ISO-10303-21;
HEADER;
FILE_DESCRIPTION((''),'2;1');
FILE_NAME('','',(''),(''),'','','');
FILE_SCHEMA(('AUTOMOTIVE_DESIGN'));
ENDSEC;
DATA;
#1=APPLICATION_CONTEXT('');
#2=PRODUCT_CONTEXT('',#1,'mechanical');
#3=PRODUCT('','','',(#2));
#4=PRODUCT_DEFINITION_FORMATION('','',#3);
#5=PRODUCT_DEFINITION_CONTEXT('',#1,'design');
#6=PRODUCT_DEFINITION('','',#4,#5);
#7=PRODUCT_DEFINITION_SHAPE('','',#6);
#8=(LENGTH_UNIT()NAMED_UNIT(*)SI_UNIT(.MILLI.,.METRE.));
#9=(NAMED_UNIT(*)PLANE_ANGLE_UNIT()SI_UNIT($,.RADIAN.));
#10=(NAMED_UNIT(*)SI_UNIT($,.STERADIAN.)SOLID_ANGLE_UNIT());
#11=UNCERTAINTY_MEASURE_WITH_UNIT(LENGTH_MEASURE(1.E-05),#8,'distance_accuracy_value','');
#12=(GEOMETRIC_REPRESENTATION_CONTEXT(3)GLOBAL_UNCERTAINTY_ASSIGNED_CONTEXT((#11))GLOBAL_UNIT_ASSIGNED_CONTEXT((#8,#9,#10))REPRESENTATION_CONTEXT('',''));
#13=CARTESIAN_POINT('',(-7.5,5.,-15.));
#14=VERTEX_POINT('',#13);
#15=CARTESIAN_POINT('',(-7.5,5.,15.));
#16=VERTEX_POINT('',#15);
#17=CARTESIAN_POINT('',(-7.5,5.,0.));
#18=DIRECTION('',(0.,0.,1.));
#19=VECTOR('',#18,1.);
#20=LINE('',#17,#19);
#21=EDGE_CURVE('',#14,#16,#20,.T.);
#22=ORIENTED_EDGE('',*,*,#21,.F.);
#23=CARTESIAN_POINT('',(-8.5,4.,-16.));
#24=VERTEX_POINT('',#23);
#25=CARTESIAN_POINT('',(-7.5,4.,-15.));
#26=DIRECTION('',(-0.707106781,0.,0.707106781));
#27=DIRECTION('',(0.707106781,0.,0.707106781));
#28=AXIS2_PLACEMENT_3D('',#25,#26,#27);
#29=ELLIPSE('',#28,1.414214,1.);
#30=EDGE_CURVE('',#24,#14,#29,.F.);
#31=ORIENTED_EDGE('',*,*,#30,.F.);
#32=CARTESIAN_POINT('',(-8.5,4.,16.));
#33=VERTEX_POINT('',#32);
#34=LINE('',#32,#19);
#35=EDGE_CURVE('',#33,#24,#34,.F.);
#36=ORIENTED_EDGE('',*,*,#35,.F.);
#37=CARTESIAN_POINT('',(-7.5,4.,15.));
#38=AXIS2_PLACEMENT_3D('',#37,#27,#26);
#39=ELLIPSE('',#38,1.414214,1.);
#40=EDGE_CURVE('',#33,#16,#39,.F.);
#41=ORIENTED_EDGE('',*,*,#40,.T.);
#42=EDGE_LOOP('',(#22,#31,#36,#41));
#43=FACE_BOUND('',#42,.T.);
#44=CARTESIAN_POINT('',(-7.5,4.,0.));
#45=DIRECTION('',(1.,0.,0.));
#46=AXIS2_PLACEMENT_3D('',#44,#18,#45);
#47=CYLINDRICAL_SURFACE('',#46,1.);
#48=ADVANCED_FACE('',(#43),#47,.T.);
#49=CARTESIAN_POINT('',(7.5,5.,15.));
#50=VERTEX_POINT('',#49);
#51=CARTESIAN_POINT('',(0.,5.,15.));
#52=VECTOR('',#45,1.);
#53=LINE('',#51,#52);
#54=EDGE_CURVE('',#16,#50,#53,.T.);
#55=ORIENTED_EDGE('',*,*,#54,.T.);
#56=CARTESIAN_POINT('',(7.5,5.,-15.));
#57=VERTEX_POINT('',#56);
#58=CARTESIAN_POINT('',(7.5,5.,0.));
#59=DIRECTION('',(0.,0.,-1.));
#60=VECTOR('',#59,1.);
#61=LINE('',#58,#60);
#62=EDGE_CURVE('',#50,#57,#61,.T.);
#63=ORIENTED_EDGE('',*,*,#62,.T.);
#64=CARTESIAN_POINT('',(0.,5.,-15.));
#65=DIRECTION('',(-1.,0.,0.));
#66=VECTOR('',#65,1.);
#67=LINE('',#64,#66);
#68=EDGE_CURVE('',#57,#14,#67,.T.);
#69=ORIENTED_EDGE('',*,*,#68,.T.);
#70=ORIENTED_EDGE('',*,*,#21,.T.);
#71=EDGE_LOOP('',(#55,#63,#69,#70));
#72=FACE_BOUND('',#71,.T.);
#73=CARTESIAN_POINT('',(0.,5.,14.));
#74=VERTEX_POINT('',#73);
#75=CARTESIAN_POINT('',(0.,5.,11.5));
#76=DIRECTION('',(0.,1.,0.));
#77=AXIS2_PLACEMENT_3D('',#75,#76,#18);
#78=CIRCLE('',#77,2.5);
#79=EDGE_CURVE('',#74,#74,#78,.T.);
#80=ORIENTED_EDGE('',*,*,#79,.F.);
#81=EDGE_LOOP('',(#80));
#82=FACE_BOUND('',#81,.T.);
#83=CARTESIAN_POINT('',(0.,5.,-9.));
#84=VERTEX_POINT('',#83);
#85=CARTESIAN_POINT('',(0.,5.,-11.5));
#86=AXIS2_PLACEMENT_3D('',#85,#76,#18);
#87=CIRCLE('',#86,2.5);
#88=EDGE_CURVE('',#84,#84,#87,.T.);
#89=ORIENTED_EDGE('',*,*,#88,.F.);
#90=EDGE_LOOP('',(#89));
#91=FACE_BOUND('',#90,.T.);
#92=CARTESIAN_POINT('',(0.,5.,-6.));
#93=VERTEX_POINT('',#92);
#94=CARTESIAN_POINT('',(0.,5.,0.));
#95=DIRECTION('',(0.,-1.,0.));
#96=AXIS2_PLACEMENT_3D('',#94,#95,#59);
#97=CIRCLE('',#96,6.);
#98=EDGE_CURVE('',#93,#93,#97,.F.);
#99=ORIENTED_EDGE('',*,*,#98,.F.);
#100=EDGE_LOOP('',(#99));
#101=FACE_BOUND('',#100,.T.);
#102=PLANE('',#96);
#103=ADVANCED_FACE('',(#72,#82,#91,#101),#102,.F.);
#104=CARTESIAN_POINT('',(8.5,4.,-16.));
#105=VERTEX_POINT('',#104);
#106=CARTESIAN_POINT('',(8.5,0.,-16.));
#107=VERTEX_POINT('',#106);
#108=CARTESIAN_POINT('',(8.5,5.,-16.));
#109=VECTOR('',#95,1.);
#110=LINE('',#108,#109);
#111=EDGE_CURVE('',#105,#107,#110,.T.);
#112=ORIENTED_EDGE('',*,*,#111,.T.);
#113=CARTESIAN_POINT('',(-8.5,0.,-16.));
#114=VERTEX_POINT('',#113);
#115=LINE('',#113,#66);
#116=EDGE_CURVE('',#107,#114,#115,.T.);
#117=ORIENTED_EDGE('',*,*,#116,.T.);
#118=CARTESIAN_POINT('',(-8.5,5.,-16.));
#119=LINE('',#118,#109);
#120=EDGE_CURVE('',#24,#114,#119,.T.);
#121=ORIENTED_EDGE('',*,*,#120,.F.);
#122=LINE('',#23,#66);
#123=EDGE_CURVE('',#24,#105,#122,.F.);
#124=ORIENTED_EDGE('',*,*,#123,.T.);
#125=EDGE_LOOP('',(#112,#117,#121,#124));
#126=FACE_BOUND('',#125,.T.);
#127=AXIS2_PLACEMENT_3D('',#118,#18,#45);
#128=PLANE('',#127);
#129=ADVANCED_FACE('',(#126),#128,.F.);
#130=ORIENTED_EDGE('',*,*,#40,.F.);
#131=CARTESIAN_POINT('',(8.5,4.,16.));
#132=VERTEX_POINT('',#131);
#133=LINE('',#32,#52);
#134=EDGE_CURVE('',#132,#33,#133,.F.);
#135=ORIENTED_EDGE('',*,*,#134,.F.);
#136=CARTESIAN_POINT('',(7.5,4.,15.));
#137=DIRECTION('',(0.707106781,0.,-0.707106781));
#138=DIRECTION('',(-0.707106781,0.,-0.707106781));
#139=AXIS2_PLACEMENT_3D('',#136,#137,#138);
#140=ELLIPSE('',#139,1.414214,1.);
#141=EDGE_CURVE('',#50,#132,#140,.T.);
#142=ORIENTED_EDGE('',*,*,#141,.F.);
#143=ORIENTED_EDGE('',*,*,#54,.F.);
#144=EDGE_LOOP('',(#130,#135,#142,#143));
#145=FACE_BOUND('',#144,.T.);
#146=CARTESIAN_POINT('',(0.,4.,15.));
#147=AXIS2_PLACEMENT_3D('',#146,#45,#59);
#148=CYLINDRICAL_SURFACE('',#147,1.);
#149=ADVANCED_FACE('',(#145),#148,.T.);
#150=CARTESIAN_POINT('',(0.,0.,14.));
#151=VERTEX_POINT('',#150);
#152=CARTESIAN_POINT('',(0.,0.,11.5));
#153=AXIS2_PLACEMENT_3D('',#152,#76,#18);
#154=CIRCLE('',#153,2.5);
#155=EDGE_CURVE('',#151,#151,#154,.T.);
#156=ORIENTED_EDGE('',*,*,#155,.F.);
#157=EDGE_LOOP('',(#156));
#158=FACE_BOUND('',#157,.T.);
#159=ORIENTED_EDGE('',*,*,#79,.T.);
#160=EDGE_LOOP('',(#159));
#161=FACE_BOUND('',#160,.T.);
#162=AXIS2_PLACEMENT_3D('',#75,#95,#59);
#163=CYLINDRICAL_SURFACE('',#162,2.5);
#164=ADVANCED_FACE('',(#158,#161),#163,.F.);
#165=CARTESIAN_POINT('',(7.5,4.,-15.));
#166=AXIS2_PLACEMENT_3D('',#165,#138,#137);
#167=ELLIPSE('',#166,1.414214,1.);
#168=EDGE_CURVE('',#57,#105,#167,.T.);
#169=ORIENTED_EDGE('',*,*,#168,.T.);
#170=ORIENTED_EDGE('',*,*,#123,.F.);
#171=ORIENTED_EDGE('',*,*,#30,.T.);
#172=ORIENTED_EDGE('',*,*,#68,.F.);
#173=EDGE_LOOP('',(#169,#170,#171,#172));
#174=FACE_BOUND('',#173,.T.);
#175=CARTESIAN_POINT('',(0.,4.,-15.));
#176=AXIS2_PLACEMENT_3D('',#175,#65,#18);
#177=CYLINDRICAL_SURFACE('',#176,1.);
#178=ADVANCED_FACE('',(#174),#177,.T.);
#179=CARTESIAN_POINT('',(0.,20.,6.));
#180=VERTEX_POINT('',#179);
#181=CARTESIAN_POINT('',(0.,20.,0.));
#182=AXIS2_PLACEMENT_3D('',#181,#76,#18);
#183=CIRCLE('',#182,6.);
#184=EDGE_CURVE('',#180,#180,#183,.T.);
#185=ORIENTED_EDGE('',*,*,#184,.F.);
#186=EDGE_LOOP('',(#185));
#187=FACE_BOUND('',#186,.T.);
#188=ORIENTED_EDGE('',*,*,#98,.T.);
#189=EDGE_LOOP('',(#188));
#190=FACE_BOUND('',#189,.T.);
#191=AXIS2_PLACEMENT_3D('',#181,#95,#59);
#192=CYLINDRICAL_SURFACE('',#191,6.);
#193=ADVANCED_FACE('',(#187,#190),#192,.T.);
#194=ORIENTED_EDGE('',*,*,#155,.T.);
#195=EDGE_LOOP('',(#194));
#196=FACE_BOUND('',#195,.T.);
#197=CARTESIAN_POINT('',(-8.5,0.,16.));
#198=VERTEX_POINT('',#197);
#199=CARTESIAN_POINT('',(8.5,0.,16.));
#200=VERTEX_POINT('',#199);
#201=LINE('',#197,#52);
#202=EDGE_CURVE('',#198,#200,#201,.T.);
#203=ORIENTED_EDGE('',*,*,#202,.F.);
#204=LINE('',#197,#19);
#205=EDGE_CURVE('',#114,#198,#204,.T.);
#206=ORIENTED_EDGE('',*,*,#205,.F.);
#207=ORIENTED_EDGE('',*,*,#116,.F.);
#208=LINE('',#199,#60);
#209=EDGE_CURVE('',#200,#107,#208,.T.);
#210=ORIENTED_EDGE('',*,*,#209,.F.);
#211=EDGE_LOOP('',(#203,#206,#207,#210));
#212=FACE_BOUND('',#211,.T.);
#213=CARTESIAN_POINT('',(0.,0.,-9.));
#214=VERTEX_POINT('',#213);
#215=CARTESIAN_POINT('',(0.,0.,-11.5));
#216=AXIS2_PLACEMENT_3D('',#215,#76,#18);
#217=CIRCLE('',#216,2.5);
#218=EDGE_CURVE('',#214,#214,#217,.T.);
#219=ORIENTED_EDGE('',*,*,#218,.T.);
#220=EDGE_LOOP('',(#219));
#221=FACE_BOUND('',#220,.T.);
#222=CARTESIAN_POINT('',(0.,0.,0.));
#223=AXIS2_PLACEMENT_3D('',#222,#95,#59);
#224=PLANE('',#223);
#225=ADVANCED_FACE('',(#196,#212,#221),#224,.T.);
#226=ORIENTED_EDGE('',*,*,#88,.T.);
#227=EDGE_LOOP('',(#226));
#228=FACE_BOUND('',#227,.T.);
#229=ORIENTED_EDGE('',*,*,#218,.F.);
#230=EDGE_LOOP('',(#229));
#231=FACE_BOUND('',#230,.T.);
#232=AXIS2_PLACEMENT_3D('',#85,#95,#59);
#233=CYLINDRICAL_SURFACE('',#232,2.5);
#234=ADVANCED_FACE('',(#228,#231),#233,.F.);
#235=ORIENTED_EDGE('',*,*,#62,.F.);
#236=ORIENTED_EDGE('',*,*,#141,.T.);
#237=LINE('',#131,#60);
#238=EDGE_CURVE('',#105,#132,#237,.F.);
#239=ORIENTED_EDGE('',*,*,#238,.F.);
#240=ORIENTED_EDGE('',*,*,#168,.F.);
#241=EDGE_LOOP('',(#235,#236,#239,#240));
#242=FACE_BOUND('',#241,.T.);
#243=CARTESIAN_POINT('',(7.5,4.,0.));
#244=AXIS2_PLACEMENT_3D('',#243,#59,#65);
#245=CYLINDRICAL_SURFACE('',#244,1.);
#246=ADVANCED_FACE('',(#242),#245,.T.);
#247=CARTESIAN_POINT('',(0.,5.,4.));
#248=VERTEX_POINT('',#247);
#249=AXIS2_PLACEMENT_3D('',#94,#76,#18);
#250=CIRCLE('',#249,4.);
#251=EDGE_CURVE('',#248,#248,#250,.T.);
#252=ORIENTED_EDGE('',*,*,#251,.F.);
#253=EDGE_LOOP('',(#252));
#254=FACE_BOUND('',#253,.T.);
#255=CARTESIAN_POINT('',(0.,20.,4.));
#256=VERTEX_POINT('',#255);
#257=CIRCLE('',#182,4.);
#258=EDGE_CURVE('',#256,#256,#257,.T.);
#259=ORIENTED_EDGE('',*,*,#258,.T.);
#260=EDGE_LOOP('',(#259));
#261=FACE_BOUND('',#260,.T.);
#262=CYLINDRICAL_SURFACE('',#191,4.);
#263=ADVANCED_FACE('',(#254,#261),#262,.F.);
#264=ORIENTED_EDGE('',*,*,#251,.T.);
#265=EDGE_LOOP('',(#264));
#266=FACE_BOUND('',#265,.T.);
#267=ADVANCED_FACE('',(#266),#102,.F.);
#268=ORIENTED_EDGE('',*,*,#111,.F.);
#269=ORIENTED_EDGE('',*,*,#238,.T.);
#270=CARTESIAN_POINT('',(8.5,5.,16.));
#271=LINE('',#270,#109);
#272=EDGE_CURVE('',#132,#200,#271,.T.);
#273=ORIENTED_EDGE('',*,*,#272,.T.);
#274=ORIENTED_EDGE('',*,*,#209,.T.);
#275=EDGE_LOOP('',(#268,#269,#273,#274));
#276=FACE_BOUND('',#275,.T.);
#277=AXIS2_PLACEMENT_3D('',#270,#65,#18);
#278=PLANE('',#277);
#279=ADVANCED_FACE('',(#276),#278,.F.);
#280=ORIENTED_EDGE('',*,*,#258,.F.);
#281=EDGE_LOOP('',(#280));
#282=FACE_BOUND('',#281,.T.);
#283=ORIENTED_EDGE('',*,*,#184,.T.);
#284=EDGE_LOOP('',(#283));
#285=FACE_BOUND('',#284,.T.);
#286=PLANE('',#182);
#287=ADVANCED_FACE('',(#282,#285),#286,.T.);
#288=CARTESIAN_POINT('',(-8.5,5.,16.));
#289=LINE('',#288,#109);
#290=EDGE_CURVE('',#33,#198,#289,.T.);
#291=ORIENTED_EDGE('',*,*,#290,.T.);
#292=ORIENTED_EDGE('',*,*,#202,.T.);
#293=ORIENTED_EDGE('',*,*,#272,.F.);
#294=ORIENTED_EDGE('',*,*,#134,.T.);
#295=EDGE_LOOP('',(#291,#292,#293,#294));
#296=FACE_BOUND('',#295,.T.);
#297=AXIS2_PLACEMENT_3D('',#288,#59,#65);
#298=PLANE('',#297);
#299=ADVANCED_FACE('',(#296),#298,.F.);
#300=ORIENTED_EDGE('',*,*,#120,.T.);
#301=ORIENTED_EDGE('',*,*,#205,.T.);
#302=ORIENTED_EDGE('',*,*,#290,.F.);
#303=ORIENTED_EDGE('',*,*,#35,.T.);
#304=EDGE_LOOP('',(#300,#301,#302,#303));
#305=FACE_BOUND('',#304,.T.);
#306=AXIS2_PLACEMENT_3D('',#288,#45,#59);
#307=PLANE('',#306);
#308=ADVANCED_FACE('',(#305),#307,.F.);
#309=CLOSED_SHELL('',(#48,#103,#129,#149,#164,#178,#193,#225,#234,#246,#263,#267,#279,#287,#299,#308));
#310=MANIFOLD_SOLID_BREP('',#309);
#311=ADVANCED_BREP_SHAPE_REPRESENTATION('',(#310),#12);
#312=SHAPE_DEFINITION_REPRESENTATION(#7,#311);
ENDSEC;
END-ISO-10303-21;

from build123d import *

# Parameters (mm, degrees)
SKETCH1_W           = 17
SKETCH1_H           = 32
SKETCH1_R           = 2.5
BOSS_EXTRUDE1_DEPTH = 5
SKETCH2_R           = 6
SKETCH2_R_2         = 4
BOSS_EXTRUDE2_DEPTH = 15
FILLET1_R           = 1


with BuildPart() as part:
    # Sketch1 → Boss-Extrude1 (new body)
    with BuildSketch(Plane(origin=(0, 0, 0), x_dir=(1, 0, 0), z_dir=(0, 1, 0))):
        Rectangle(SKETCH1_W, SKETCH1_H)
        with Locations((0, 11.5)):
            Circle(SKETCH1_R, mode=Mode.SUBTRACT)
        with Locations((0, -11.5)):
            Circle(SKETCH1_R, mode=Mode.SUBTRACT)
    extrude(amount=BOSS_EXTRUDE1_DEPTH)

    # Sketch2 → Boss-Extrude2 (add)
    with BuildSketch(Plane(origin=(0, 5, 0), x_dir=(1, 0, 0), z_dir=(0, 1, 0))):
        Circle(SKETCH2_R)
        Circle(SKETCH2_R_2, mode=Mode.SUBTRACT)
    extrude(amount=BOSS_EXTRUDE2_DEPTH)

    # Fillet1
    fillet1_edges = [part.edges().sort_by_distance(p)[0] for p in [
        (-8.5, 5, 0),
        (0, 5, 16),
        (8.5, 5, 0),
        (0, 5, -16),
    ]]
    fillet(fillet1_edges, radius=FILLET1_R)


solid = part.part
